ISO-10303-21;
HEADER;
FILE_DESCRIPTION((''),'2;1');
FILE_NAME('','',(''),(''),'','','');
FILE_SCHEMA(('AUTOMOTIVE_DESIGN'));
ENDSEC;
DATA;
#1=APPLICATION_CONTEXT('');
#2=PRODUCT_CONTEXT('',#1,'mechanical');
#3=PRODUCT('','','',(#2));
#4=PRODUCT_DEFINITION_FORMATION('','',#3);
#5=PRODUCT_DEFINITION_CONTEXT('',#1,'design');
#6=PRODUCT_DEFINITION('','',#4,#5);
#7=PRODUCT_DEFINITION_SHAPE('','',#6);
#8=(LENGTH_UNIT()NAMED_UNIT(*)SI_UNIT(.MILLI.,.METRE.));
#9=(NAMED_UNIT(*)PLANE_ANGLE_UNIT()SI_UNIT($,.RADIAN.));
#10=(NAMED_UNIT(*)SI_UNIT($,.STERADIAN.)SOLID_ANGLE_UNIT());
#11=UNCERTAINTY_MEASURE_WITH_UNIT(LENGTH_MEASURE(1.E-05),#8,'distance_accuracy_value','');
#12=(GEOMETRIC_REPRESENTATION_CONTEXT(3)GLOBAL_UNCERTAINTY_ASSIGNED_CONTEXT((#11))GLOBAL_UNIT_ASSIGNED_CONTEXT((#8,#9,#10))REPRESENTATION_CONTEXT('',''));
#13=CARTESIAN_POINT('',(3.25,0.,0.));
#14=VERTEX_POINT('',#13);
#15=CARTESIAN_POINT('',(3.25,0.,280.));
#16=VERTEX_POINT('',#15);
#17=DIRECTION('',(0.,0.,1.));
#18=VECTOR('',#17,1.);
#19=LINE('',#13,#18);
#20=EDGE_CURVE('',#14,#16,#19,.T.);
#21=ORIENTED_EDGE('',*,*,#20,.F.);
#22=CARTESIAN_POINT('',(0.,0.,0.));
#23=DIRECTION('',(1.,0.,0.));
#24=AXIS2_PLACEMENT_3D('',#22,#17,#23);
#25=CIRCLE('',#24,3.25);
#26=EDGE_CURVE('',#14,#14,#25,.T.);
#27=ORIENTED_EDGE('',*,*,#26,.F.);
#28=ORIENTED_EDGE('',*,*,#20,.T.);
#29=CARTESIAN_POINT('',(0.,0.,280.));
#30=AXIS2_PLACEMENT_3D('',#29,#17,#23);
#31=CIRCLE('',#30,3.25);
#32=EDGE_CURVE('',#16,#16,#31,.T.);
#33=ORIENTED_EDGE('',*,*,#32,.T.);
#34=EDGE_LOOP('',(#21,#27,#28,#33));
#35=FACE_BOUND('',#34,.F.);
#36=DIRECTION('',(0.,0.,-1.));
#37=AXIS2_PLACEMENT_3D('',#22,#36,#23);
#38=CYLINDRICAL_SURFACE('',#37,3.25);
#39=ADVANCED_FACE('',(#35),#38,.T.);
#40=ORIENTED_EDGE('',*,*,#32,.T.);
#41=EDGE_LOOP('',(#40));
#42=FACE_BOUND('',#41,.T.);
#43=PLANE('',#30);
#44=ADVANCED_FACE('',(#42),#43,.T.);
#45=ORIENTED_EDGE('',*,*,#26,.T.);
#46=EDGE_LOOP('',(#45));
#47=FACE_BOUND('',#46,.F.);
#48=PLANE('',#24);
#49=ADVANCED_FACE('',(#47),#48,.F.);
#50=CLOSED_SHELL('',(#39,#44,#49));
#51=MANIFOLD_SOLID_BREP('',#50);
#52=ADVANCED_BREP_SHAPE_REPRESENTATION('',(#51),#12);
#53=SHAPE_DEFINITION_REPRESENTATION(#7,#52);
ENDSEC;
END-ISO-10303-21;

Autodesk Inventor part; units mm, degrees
ref_plane "YZ Plane" through (0, 0, 0) normal (1, 0, 0) x (0, 1, 0)
ref_plane "XZ Plane" through (0, 0, 0) normal (0, 1, 0) x (-1, 0, 0)
ref_plane "XY Plane" through (0, 0, 0) normal (0, 0, 1) x (1, 0, 0)
sketch "Sketch1" plane through (0, 0, 0) normal (0, 0, 1) x (1, 0, 0)
  circle A0 centre (0, 0) radius 3.25
  dimension "d0" = 6.5
extrude "Extrusion1" add sketch "Sketch1" along normal blind 280
properties part number "TijaAluminiu6x300" material "Aluminum 6061"
